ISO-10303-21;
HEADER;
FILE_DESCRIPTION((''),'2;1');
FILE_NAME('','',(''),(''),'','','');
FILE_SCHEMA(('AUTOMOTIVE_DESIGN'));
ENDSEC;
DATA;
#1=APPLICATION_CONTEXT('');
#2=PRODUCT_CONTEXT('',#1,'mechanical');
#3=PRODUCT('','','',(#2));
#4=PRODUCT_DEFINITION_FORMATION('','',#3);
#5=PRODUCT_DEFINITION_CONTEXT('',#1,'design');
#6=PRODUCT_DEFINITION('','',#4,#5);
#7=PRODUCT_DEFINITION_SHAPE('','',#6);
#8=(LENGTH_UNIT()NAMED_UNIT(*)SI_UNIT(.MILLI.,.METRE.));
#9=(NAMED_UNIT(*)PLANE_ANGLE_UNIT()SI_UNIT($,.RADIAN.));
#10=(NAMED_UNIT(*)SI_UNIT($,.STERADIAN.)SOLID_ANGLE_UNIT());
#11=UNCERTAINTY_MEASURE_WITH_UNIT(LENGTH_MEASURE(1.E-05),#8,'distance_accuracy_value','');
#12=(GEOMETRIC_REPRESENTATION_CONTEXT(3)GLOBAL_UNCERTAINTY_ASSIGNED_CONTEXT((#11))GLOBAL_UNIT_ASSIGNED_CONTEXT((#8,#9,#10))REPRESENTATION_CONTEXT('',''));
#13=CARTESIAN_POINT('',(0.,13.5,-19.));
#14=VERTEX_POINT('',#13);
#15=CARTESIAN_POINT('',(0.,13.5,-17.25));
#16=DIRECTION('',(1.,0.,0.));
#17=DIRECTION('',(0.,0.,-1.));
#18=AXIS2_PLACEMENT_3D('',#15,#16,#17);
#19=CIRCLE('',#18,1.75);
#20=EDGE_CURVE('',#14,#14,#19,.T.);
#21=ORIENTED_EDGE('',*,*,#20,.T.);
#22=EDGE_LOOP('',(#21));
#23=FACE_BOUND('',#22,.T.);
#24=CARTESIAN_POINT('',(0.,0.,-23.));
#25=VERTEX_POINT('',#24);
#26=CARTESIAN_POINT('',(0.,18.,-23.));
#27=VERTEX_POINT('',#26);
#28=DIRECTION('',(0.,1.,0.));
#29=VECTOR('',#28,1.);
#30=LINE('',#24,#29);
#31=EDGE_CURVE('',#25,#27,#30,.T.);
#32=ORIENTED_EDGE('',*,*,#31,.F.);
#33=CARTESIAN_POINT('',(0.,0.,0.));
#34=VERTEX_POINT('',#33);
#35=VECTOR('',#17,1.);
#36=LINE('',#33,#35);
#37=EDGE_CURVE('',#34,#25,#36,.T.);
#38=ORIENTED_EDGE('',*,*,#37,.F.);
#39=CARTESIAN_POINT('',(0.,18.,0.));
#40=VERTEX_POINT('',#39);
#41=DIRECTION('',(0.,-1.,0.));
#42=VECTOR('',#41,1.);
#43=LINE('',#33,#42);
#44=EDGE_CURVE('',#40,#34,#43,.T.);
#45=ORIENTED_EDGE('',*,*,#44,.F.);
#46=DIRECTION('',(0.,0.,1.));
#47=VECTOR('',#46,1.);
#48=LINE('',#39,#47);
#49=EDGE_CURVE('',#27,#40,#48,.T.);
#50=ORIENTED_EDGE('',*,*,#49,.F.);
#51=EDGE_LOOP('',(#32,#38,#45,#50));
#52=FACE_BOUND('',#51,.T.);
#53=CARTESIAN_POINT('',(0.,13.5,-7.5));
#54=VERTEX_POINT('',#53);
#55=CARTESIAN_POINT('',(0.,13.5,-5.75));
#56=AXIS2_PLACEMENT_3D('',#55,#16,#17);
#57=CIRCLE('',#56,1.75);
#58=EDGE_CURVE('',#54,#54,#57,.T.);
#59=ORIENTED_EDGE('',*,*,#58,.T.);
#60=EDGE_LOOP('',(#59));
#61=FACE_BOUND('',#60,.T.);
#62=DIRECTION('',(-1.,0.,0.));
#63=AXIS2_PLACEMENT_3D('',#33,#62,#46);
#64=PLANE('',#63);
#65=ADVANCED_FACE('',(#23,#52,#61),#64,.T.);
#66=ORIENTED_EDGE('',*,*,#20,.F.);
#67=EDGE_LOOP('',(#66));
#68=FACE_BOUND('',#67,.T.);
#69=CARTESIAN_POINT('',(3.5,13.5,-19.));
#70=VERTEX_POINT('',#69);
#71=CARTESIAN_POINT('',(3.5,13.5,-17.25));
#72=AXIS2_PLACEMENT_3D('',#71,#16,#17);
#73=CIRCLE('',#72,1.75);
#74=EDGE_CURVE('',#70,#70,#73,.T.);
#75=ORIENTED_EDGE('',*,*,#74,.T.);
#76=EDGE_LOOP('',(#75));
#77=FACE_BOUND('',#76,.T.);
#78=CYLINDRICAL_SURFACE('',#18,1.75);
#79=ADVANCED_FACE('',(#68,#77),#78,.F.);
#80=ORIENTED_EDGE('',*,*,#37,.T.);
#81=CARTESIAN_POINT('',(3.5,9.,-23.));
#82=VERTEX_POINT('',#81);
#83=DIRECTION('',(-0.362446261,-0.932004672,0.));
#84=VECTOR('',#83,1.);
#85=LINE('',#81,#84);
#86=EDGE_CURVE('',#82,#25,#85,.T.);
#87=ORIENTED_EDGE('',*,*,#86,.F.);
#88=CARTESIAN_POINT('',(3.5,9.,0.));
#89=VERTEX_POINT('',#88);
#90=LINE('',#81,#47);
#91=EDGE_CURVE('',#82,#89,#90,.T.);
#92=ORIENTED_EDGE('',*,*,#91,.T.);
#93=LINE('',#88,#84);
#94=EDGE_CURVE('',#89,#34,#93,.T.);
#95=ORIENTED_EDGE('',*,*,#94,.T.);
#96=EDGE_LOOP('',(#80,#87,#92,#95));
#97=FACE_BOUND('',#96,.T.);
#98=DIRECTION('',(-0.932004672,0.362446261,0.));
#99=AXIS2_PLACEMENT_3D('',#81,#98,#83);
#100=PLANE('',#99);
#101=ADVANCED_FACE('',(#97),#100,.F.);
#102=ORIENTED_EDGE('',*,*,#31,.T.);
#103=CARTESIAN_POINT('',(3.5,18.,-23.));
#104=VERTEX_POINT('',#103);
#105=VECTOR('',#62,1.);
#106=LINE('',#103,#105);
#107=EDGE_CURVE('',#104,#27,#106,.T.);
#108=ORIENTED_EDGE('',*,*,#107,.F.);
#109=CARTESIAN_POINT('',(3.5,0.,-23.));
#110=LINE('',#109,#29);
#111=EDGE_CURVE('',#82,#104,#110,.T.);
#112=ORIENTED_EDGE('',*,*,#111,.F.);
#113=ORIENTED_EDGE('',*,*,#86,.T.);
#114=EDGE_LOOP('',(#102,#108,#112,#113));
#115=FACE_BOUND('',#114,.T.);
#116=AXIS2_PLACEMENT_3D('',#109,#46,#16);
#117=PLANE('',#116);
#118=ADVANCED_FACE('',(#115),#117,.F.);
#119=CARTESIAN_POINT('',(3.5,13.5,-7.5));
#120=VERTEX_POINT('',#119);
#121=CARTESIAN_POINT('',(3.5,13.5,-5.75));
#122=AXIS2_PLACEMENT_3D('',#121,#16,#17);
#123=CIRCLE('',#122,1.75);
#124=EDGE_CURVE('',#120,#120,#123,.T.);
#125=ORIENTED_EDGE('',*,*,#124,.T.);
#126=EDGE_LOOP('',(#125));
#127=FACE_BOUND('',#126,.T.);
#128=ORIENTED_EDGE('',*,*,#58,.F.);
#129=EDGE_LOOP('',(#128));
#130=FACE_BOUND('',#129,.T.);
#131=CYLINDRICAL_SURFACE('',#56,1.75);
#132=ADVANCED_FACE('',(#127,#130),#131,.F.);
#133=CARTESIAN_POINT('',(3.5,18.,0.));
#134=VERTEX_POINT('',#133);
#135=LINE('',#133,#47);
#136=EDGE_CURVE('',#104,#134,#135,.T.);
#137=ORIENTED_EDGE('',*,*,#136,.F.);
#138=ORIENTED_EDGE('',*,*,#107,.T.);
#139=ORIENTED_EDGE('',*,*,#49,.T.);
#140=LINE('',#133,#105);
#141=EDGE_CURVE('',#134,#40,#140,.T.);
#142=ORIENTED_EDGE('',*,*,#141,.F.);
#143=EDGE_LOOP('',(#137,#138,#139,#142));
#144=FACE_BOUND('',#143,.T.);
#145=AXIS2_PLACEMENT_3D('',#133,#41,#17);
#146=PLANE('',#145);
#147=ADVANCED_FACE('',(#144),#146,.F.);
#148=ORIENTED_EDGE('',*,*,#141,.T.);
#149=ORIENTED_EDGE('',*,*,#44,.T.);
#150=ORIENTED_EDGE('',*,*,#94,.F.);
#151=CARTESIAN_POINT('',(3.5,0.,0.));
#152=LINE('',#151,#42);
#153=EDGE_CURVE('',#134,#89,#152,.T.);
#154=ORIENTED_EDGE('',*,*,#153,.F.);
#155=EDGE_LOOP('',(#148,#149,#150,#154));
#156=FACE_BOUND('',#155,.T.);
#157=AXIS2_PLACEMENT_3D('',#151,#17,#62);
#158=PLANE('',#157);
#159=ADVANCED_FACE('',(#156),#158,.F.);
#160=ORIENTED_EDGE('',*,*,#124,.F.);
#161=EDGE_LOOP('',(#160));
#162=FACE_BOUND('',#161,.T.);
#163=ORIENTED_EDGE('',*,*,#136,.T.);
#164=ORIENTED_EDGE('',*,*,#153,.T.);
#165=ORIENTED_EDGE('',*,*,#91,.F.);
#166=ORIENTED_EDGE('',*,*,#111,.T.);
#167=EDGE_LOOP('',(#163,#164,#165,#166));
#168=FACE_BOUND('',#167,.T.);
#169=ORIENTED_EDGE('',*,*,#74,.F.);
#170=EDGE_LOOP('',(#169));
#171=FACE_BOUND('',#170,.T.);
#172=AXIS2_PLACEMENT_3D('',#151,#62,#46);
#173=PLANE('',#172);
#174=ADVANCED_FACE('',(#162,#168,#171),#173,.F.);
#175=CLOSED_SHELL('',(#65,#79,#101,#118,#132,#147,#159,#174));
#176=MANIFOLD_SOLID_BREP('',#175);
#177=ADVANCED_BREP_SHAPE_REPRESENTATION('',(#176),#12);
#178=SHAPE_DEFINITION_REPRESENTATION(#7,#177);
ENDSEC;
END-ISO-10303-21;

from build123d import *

# Parameters (mm, degrees)
SKETCH1_W           = 23
SKETCH1_H           = 18
BOSS_EXTRUDE1_DEPTH = 3.5
CUT_EXTRUDE1_DEPTH  = 30.41513216
SKETCH3_R           = 1.75
CUT_EXTRUDE3_DEPTH  = 30.41513216


with BuildPart() as part:
    # Sketch1 → Boss-Extrude1 (new body)
    with BuildSketch(Plane(origin=(0, 0, 0), x_dir=(0, 0, -1), z_dir=(1, 0, 0))):
        with Locations((11.5, 9)):
            Rectangle(SKETCH1_W, SKETCH1_H)
    extrude(amount=BOSS_EXTRUDE1_DEPTH)

    # Sketch2 → Cut-Extrude1 (cut, through all)
    with BuildSketch(Plane.XY):
        Polygon((3.5, 9), (0, 0), (3.5, 0), align=None)
    extrude(amount=-CUT_EXTRUDE1_DEPTH, mode=Mode.SUBTRACT)

    # Sketch3 → Cut-Extrude3 (cut, through all)
    with BuildSketch(Plane(origin=(3.5, 0, 0), x_dir=(0, 0, -1), z_dir=(1, 0, 0))):
        with Locations((5.75, 13.5)):
            Circle(SKETCH3_R)
        with Locations((17.25, 13.5)):
            Circle(SKETCH3_R)
    extrude(amount=-CUT_EXTRUDE3_DEPTH, mode=Mode.SUBTRACT)


solid = part.part
